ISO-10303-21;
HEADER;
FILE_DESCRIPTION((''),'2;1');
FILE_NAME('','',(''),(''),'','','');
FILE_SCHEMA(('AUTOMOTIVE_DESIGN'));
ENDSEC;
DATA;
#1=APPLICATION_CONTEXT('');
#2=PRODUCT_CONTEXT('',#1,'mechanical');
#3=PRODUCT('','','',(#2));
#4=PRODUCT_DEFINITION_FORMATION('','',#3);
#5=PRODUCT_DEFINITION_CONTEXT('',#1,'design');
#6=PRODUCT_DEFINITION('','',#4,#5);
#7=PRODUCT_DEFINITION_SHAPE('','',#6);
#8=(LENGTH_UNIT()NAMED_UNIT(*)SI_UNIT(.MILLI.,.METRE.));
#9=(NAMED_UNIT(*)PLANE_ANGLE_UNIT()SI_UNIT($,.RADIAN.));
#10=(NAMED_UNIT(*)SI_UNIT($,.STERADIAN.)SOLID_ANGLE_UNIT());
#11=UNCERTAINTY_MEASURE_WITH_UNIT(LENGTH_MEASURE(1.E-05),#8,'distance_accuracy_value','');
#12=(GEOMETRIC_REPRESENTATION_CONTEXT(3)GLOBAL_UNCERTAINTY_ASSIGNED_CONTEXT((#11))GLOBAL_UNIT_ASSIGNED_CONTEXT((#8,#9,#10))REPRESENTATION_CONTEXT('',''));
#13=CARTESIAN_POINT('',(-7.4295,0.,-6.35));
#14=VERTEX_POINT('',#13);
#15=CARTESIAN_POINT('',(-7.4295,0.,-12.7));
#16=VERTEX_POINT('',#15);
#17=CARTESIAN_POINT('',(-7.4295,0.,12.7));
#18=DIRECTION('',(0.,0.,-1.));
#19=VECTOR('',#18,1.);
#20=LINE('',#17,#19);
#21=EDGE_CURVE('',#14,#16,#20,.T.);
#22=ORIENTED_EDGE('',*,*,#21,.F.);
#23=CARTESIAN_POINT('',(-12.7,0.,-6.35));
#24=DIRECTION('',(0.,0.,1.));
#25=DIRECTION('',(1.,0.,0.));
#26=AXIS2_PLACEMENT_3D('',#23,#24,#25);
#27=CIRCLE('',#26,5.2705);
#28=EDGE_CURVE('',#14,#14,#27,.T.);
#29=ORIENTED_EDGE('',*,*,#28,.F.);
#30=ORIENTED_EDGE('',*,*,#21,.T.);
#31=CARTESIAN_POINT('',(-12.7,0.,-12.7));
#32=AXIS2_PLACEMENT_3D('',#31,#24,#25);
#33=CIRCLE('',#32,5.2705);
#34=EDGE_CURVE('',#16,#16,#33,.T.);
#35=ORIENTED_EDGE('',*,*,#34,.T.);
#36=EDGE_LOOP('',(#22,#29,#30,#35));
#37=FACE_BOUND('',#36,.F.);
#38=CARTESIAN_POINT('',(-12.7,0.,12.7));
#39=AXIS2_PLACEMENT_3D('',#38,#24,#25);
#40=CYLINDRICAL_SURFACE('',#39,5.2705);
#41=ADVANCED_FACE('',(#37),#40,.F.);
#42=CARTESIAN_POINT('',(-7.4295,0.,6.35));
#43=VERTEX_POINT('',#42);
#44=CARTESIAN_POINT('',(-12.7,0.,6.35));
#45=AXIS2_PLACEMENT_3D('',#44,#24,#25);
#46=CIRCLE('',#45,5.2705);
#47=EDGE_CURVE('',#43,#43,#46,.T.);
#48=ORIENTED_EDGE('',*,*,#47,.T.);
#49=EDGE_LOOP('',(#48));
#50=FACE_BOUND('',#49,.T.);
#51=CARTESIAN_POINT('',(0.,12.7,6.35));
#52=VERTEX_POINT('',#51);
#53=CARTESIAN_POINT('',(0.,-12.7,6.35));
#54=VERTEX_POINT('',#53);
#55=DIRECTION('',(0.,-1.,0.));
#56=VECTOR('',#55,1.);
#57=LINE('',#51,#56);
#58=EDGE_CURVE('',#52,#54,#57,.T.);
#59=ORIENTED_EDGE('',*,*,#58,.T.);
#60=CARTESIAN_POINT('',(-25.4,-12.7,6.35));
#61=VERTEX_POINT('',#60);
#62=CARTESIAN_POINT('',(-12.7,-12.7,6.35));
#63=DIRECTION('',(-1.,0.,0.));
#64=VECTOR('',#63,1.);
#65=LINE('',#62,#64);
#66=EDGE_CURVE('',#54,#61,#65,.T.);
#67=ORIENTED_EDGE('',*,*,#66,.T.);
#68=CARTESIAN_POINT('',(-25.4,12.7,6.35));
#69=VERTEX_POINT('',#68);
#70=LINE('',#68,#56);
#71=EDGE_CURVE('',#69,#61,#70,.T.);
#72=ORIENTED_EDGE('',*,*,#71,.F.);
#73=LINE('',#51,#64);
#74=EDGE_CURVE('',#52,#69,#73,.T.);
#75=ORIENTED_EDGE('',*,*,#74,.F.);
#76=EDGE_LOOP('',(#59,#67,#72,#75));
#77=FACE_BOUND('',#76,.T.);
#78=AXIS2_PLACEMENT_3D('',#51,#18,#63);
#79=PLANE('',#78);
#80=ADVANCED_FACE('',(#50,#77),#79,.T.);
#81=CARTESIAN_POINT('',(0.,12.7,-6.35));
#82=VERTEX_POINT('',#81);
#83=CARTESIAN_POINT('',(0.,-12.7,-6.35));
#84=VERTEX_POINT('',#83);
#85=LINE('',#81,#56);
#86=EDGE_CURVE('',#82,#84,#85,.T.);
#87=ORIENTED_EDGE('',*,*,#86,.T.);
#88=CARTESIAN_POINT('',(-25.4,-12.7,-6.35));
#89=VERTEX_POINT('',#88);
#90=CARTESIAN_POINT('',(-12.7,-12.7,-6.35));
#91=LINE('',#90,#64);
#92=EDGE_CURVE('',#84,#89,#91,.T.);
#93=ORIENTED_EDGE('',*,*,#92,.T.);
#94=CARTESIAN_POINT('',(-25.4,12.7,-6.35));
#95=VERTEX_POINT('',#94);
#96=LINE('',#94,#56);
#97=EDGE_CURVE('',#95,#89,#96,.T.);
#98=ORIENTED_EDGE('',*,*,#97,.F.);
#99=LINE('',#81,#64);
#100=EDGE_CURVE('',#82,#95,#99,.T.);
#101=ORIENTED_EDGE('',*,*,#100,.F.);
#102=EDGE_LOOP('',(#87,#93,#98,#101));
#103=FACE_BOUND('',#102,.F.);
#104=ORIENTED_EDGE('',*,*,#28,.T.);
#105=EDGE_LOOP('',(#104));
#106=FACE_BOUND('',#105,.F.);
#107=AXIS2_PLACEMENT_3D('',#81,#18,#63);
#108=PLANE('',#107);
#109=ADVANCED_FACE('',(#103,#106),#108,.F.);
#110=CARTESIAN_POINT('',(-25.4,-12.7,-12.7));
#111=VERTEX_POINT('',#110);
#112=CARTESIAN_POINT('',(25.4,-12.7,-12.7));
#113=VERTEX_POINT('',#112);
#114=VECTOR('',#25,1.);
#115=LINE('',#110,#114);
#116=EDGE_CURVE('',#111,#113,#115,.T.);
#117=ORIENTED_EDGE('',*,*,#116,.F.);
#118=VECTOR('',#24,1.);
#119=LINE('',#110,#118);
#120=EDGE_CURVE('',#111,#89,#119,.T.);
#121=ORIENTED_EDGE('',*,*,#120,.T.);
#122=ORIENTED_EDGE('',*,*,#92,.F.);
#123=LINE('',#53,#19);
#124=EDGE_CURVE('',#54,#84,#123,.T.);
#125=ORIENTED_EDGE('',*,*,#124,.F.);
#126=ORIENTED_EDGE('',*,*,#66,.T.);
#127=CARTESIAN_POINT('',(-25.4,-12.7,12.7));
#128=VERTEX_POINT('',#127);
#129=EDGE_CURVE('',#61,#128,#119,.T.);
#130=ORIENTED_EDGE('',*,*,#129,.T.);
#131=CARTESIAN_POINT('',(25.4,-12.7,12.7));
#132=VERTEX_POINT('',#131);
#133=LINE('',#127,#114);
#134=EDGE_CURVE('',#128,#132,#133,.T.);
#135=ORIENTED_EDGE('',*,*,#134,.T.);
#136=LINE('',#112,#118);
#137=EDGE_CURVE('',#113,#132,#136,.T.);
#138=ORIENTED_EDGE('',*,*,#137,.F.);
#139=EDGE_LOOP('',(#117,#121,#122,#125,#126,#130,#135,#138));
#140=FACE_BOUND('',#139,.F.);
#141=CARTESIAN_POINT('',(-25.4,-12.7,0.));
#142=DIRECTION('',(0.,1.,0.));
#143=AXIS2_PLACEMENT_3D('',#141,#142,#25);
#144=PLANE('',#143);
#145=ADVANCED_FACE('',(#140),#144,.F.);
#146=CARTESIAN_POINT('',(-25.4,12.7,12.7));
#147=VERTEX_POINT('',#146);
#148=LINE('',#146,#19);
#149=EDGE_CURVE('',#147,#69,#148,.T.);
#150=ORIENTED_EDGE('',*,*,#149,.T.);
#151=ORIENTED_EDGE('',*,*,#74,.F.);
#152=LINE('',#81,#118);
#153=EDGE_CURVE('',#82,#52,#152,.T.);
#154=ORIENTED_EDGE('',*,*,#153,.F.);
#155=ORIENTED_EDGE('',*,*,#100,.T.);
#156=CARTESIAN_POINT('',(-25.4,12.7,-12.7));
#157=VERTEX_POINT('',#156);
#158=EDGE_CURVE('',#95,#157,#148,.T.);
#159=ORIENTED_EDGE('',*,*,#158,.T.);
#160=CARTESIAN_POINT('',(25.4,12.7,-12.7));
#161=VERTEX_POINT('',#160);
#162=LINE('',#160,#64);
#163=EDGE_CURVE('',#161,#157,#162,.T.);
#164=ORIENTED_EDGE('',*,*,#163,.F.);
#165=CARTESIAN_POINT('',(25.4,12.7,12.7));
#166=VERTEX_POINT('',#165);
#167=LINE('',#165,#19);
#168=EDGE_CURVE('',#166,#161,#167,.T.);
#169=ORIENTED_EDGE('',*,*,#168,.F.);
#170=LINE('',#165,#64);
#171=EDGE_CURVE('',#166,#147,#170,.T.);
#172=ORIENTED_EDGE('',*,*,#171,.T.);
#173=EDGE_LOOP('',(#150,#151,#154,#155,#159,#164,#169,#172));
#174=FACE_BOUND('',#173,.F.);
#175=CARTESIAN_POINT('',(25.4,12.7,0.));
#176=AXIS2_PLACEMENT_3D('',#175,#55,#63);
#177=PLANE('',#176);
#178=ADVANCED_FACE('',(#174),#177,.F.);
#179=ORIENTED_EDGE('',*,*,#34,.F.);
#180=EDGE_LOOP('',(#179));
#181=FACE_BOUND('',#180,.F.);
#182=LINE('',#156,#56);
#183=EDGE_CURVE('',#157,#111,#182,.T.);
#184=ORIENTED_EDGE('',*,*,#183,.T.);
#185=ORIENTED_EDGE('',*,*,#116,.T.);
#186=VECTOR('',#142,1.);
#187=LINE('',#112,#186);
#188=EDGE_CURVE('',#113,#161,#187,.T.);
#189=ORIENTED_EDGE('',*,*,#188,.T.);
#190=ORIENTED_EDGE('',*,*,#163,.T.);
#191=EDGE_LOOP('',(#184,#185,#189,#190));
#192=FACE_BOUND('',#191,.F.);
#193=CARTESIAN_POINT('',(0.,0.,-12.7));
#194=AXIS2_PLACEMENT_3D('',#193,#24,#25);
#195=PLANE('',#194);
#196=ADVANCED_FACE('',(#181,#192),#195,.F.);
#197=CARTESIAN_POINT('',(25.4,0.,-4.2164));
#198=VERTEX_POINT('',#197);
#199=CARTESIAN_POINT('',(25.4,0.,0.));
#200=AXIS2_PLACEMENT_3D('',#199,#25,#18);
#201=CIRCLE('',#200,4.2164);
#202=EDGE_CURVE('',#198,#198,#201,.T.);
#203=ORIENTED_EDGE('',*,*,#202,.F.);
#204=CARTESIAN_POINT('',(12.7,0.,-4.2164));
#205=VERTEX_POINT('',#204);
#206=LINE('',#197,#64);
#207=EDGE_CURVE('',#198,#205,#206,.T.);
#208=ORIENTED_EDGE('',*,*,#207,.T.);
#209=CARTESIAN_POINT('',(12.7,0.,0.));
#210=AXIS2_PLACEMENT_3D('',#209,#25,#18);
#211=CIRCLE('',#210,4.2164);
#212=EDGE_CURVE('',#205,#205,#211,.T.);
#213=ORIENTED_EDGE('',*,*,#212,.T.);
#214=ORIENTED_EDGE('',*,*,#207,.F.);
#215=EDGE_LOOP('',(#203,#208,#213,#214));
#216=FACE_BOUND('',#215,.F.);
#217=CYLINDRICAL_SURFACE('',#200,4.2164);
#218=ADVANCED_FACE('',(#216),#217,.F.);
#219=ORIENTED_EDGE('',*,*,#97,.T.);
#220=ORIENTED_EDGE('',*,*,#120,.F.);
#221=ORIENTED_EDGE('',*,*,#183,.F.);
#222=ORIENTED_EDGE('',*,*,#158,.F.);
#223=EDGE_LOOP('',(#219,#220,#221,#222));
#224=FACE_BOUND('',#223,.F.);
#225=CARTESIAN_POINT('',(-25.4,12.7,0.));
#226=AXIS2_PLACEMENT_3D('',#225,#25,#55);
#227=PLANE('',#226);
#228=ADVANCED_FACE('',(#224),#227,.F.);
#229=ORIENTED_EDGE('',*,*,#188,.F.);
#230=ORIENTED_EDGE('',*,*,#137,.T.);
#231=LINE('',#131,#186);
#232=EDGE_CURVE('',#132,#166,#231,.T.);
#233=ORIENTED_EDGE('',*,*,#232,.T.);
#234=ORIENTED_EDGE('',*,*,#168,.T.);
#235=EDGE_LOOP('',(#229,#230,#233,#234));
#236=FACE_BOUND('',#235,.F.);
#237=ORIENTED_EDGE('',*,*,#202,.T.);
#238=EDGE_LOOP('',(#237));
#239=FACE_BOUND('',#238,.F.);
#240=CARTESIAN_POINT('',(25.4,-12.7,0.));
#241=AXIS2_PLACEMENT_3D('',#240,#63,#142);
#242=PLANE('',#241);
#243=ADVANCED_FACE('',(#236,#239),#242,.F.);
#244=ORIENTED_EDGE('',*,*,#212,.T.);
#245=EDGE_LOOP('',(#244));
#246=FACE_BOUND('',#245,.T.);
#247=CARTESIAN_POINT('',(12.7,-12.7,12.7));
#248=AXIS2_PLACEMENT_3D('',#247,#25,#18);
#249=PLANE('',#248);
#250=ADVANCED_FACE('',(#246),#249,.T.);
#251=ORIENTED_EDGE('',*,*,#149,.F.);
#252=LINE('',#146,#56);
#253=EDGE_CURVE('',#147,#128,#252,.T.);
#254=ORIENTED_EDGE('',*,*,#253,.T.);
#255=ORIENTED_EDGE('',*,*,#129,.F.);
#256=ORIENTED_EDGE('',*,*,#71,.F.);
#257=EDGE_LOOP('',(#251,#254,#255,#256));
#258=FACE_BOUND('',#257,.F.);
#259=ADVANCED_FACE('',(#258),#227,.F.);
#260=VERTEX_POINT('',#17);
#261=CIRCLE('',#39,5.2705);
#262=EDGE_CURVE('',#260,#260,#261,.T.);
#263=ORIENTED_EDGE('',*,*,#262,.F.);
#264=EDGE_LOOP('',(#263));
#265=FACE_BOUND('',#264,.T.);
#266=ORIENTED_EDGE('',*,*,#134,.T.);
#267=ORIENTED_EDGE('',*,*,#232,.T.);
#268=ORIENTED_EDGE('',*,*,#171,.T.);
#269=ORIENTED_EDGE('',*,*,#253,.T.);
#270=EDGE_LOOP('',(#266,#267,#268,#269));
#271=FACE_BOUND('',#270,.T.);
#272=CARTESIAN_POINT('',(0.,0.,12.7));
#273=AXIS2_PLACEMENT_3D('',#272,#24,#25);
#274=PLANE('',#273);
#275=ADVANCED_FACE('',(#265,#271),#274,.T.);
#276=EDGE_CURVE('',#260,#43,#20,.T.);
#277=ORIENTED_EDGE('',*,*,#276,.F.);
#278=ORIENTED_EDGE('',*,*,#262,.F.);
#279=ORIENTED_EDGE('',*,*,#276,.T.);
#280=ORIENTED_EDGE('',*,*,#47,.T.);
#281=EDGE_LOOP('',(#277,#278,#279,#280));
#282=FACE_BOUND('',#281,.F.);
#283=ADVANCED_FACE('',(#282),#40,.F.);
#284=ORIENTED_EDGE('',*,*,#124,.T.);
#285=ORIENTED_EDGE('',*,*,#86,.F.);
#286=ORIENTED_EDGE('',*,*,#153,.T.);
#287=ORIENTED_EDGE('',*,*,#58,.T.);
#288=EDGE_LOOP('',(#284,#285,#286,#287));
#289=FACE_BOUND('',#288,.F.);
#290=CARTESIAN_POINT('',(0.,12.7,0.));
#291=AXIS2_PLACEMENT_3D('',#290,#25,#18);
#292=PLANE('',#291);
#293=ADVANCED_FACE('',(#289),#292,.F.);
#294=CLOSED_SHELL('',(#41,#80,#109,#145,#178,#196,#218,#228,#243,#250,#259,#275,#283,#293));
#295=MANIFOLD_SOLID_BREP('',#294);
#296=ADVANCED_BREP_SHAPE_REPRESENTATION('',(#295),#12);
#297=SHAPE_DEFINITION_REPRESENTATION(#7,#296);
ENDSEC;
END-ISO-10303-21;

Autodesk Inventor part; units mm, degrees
ref_plane "YZ Plane" through (0, 0, 0) normal (1, 0, 0) x (0, 1, 0)
ref_plane "XZ Plane" through (0, 0, 0) normal (0, 1, 0) x (-1, 0, 0)
ref_plane "XY Plane" through (0, 0, 0) normal (0, 0, 1) x (1, 0, 0)
sketch "Sketch2" plane through (0, 0, 0) normal (0, 0, 1) x (1, 0, 0)
  line L0 (-25.4, -12.7) -> (25.4, -12.7)
  line L1 (25.4, -12.7) -> (25.4, 12.7)
  line L2 (25.4, 12.7) -> (-25.4, 12.7)
  line L3 (-25.4, 12.7) -> (-25.4, -12.7)
  line L4 (-25.4, -12.7) -> (25.4, 12.7) construction
  line L5 (25.4, -12.7) -> (-25.4, 12.7) construction
  point P0 (0, 0)
  dimension "d4" = 50.8
  dimension "d5" = 25.4
extrude "Extrusion2" add sketch "Sketch2" along normal mid plane 25.4
sketch "Sketch3" plane through (-25.4, 12.7, 12.7) normal (0, 1, 0) x (1, 0, 0)
  line L0 (0, 25.4) -> (0, 0) construction
  line L1 (25.4, 12.7) -> (25.4, 19.05)
  line L2 (25.4, 19.05) -> (0, 19.05)
  line L3 (0, 19.05) -> (0, 12.7)
  line L4 (0, 0) -> (0, 25.4) construction
  line L5 (25.4, 12.7) -> (25.4, 6.35)
  line L6 (25.4, 6.35) -> (0, 6.35)
  line L7 (0, 6.35) -> (0, 12.7)
  dimension "d8" = 25.4
  dimension "d10" = 12.7
extrude "Extrusion3" cut sketch "Sketch3" against normal through all
sketch "Sketch4" plane through (0, 0, 12.7) normal (0, 0, 1) x (1, 0, 0)
  circle A0 centre (-12.7, 0) radius 5.2705
  line L0 (-25.4, 12.7) -> (-25.4, -12.7) projected
  point P0 (0, 0)
  dimension "d13" = 10.541
  dimension "d14" = 12.7
extrude "Extrusion4" cut sketch "Sketch4" against normal through all
sketch "Sketch5" plane through (25.4, -12.7, 12.7) normal (1, 0, 0) x (0, 0, -1)
  circle A0 centre (12.7, 12.7) radius 4.2164
  dimension "d27" = 8.4328
extrude "Extrusion5" cut sketch "Sketch5" against normal blind 12.7
properties part number "piston" material "PET Plastic"
